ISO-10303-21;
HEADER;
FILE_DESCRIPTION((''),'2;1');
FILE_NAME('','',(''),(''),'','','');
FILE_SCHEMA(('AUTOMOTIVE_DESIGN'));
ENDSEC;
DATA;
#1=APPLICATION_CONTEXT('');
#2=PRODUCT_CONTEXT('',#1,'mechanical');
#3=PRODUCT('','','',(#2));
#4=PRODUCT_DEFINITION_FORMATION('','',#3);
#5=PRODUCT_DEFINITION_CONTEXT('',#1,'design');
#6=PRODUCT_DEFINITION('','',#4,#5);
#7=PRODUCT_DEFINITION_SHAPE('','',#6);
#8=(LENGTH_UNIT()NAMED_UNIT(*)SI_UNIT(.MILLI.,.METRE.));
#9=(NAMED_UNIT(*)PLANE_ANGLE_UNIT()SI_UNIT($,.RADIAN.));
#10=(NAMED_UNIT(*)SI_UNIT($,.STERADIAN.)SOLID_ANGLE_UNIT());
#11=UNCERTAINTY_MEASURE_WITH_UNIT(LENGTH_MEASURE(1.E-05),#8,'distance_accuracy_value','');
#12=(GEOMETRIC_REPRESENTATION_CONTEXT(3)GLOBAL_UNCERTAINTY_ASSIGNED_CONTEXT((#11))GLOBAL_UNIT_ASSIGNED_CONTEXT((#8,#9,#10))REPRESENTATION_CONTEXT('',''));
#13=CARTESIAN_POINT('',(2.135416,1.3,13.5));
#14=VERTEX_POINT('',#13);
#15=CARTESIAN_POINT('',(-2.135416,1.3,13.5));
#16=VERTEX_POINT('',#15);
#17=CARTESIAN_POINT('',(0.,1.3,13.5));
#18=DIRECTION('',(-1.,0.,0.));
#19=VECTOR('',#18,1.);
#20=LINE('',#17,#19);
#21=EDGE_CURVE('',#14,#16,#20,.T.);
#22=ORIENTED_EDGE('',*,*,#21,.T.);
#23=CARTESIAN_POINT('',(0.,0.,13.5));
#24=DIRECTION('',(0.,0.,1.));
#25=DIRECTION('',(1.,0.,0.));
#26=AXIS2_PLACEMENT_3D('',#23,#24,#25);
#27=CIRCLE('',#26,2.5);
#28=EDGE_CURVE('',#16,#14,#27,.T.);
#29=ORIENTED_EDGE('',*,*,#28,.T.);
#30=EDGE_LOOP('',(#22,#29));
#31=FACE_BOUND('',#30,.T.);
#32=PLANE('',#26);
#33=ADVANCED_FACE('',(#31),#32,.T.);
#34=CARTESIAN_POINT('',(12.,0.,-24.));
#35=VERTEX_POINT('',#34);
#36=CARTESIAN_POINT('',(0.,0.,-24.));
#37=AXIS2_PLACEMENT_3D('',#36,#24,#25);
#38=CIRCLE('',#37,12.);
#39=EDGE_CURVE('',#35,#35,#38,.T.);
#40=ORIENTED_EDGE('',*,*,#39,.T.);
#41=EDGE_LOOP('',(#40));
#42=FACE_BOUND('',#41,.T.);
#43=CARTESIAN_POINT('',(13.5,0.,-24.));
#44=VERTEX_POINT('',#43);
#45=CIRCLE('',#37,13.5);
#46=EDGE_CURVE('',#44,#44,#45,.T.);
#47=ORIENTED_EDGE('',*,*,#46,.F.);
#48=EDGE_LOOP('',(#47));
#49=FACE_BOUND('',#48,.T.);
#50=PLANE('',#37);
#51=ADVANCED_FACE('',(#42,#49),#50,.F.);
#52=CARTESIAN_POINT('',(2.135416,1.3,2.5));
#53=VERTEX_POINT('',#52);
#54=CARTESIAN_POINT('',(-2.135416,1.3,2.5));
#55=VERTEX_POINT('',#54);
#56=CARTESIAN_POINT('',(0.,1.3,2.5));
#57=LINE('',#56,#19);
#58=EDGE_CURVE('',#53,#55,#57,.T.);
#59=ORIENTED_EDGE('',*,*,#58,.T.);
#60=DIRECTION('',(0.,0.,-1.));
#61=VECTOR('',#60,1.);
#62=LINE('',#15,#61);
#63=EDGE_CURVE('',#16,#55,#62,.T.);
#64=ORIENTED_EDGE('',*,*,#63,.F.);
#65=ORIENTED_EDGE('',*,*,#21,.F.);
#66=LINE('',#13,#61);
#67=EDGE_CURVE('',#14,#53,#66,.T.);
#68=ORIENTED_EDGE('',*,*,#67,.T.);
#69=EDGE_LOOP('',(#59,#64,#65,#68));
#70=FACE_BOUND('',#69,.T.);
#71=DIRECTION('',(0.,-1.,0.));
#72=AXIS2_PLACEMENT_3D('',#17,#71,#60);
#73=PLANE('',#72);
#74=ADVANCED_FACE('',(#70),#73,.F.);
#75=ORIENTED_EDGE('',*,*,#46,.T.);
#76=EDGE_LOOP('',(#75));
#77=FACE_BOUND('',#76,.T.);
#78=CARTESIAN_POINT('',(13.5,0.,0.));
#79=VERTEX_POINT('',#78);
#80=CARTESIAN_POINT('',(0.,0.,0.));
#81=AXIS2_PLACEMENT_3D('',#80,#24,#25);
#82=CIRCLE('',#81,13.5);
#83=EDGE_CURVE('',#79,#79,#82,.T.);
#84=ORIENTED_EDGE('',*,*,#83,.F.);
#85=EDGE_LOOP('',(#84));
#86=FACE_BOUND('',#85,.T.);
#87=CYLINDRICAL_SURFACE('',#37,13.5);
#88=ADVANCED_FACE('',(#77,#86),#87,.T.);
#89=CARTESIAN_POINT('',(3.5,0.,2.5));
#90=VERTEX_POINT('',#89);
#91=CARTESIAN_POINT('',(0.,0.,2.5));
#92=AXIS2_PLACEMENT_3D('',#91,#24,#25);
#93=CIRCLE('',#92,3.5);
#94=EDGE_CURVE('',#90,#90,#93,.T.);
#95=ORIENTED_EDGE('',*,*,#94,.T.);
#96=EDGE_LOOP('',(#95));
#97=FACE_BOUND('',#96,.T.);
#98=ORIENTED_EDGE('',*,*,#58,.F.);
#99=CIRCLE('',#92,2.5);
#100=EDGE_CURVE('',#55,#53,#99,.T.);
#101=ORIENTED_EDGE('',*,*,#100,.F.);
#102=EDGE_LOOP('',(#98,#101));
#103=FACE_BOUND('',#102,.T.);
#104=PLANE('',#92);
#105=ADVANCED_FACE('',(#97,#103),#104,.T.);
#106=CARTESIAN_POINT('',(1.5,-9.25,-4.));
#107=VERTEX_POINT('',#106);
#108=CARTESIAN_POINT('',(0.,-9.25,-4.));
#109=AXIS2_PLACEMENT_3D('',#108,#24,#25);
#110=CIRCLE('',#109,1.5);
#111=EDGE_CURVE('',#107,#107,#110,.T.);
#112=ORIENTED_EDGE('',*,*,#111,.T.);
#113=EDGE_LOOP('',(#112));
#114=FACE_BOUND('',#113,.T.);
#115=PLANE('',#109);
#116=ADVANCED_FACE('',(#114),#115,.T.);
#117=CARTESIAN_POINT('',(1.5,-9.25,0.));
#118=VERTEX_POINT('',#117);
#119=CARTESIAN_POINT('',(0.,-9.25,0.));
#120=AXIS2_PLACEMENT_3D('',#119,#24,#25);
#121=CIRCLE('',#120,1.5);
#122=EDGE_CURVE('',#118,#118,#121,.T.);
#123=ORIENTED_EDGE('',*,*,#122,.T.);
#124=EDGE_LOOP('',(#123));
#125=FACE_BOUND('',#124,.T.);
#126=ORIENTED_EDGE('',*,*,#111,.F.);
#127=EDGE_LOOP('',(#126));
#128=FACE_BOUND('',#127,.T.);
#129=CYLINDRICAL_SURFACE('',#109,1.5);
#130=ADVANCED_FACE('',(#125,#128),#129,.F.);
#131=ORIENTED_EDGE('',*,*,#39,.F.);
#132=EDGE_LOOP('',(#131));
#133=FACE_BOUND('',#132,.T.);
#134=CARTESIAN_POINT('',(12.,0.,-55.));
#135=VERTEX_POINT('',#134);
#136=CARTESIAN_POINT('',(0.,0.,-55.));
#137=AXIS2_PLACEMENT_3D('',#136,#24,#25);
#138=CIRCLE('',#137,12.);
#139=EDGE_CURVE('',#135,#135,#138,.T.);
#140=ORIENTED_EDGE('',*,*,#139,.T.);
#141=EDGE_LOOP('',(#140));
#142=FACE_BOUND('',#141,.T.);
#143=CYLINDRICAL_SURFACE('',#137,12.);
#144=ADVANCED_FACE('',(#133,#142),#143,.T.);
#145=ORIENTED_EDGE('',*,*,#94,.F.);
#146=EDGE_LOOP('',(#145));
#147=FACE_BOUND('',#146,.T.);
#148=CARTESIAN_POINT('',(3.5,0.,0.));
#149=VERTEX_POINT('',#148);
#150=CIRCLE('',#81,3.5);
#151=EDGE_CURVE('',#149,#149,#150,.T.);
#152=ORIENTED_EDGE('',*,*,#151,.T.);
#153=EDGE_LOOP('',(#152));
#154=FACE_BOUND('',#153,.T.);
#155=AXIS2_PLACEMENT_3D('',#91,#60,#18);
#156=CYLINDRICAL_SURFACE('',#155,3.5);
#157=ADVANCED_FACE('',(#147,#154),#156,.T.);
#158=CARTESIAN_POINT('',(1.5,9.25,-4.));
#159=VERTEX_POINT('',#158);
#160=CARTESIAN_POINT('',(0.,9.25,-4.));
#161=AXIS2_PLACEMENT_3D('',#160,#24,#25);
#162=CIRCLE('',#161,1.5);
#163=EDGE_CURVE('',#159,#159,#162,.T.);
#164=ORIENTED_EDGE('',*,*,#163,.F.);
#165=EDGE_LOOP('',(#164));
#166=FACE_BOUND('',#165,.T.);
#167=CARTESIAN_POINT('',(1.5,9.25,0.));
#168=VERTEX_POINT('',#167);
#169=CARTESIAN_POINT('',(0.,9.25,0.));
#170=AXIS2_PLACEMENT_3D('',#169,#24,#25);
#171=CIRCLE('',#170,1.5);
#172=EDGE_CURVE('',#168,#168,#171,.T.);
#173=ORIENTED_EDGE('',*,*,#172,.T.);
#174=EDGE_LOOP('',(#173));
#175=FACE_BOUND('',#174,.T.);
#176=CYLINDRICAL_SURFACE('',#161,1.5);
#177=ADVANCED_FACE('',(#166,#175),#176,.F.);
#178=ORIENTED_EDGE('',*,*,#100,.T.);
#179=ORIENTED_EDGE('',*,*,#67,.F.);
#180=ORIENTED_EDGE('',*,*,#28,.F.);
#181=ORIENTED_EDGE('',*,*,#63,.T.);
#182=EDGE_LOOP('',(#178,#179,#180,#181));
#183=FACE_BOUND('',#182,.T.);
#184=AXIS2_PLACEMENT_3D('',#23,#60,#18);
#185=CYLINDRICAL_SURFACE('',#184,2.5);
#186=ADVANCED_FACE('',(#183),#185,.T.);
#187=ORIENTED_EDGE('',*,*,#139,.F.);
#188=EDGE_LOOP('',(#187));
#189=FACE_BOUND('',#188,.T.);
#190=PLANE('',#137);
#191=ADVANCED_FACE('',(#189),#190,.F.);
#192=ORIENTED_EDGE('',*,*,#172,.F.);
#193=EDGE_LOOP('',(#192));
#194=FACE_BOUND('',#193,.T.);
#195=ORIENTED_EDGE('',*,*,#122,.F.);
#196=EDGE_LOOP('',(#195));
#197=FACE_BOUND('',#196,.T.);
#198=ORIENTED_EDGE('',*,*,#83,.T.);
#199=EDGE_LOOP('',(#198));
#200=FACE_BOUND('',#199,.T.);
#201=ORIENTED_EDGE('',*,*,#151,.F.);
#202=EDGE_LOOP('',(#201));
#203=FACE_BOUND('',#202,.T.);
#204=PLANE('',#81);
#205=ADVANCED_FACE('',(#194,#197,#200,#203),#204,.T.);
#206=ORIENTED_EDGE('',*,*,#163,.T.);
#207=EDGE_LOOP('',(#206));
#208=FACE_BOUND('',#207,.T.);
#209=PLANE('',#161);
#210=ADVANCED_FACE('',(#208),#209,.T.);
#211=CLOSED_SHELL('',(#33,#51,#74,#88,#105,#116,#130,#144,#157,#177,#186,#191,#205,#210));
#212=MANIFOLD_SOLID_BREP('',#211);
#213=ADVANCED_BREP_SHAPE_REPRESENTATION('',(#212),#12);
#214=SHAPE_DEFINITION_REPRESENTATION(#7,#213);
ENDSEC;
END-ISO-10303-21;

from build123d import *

# Parameters (mm, degrees)
SKETCH1_R           = 13.5
BOSS_EXTRUDE1_DEPTH = 24
BOSS_EXTRUDE2_START = -24
SKETCH1_3_R         = 12
BOSS_EXTRUDE2_DEPTH = 31
SKETCH2_R           = 3.5
BOSS_EXTRUDE3_DEPTH = 2.5
BOSS_EXTRUDE4_START = 2.5
BOSS_EXTRUDE4_DEPTH = 11
SKETCH3_R           = 1.5
CUT_EXTRUDE1_DEPTH  = 4


with BuildPart() as part:
    # Sketch1 → Boss-Extrude1 (new body)
    with BuildSketch(Plane.XY):
        Circle(SKETCH1_R)
    extrude(amount=-BOSS_EXTRUDE1_DEPTH)

    # Sketch1<3> → Boss-Extrude2 (add)
    with BuildSketch(Plane.XY.offset(BOSS_EXTRUDE2_START)):
        Circle(SKETCH1_3_R)
    extrude(amount=-BOSS_EXTRUDE2_DEPTH)

    # Sketch2 → Boss-Extrude3 (add)
    with BuildSketch(Plane.XY):
        Circle(SKETCH2_R)
    extrude(amount=BOSS_EXTRUDE3_DEPTH)

    # Sketch2<3> → Boss-Extrude4 (add)
    with BuildSketch(Plane.XY.offset(BOSS_EXTRUDE4_START)):
        with BuildLine():
            Line((2.13541565, 1.3), (-2.13541565, 1.3))
            ThreePointArc((-2.13541565, 1.3), (-0.675078097, -2.407128905), (2.5, 0))
            ThreePointArc((2.5, 0), (2.407128905, 0.675078097), (2.13541565, 1.3))
        make_face()
    extrude(amount=BOSS_EXTRUDE4_DEPTH)

    # Sketch3 → Cut-Extrude1 (cut)
    with BuildSketch(Plane.XY):
        with Locations((0, 9.25)):
            Circle(SKETCH3_R)
        with Locations((0, -9.25)):
            Circle(SKETCH3_R)
    extrude(amount=-CUT_EXTRUDE1_DEPTH, mode=Mode.SUBTRACT)


solid = part.part
